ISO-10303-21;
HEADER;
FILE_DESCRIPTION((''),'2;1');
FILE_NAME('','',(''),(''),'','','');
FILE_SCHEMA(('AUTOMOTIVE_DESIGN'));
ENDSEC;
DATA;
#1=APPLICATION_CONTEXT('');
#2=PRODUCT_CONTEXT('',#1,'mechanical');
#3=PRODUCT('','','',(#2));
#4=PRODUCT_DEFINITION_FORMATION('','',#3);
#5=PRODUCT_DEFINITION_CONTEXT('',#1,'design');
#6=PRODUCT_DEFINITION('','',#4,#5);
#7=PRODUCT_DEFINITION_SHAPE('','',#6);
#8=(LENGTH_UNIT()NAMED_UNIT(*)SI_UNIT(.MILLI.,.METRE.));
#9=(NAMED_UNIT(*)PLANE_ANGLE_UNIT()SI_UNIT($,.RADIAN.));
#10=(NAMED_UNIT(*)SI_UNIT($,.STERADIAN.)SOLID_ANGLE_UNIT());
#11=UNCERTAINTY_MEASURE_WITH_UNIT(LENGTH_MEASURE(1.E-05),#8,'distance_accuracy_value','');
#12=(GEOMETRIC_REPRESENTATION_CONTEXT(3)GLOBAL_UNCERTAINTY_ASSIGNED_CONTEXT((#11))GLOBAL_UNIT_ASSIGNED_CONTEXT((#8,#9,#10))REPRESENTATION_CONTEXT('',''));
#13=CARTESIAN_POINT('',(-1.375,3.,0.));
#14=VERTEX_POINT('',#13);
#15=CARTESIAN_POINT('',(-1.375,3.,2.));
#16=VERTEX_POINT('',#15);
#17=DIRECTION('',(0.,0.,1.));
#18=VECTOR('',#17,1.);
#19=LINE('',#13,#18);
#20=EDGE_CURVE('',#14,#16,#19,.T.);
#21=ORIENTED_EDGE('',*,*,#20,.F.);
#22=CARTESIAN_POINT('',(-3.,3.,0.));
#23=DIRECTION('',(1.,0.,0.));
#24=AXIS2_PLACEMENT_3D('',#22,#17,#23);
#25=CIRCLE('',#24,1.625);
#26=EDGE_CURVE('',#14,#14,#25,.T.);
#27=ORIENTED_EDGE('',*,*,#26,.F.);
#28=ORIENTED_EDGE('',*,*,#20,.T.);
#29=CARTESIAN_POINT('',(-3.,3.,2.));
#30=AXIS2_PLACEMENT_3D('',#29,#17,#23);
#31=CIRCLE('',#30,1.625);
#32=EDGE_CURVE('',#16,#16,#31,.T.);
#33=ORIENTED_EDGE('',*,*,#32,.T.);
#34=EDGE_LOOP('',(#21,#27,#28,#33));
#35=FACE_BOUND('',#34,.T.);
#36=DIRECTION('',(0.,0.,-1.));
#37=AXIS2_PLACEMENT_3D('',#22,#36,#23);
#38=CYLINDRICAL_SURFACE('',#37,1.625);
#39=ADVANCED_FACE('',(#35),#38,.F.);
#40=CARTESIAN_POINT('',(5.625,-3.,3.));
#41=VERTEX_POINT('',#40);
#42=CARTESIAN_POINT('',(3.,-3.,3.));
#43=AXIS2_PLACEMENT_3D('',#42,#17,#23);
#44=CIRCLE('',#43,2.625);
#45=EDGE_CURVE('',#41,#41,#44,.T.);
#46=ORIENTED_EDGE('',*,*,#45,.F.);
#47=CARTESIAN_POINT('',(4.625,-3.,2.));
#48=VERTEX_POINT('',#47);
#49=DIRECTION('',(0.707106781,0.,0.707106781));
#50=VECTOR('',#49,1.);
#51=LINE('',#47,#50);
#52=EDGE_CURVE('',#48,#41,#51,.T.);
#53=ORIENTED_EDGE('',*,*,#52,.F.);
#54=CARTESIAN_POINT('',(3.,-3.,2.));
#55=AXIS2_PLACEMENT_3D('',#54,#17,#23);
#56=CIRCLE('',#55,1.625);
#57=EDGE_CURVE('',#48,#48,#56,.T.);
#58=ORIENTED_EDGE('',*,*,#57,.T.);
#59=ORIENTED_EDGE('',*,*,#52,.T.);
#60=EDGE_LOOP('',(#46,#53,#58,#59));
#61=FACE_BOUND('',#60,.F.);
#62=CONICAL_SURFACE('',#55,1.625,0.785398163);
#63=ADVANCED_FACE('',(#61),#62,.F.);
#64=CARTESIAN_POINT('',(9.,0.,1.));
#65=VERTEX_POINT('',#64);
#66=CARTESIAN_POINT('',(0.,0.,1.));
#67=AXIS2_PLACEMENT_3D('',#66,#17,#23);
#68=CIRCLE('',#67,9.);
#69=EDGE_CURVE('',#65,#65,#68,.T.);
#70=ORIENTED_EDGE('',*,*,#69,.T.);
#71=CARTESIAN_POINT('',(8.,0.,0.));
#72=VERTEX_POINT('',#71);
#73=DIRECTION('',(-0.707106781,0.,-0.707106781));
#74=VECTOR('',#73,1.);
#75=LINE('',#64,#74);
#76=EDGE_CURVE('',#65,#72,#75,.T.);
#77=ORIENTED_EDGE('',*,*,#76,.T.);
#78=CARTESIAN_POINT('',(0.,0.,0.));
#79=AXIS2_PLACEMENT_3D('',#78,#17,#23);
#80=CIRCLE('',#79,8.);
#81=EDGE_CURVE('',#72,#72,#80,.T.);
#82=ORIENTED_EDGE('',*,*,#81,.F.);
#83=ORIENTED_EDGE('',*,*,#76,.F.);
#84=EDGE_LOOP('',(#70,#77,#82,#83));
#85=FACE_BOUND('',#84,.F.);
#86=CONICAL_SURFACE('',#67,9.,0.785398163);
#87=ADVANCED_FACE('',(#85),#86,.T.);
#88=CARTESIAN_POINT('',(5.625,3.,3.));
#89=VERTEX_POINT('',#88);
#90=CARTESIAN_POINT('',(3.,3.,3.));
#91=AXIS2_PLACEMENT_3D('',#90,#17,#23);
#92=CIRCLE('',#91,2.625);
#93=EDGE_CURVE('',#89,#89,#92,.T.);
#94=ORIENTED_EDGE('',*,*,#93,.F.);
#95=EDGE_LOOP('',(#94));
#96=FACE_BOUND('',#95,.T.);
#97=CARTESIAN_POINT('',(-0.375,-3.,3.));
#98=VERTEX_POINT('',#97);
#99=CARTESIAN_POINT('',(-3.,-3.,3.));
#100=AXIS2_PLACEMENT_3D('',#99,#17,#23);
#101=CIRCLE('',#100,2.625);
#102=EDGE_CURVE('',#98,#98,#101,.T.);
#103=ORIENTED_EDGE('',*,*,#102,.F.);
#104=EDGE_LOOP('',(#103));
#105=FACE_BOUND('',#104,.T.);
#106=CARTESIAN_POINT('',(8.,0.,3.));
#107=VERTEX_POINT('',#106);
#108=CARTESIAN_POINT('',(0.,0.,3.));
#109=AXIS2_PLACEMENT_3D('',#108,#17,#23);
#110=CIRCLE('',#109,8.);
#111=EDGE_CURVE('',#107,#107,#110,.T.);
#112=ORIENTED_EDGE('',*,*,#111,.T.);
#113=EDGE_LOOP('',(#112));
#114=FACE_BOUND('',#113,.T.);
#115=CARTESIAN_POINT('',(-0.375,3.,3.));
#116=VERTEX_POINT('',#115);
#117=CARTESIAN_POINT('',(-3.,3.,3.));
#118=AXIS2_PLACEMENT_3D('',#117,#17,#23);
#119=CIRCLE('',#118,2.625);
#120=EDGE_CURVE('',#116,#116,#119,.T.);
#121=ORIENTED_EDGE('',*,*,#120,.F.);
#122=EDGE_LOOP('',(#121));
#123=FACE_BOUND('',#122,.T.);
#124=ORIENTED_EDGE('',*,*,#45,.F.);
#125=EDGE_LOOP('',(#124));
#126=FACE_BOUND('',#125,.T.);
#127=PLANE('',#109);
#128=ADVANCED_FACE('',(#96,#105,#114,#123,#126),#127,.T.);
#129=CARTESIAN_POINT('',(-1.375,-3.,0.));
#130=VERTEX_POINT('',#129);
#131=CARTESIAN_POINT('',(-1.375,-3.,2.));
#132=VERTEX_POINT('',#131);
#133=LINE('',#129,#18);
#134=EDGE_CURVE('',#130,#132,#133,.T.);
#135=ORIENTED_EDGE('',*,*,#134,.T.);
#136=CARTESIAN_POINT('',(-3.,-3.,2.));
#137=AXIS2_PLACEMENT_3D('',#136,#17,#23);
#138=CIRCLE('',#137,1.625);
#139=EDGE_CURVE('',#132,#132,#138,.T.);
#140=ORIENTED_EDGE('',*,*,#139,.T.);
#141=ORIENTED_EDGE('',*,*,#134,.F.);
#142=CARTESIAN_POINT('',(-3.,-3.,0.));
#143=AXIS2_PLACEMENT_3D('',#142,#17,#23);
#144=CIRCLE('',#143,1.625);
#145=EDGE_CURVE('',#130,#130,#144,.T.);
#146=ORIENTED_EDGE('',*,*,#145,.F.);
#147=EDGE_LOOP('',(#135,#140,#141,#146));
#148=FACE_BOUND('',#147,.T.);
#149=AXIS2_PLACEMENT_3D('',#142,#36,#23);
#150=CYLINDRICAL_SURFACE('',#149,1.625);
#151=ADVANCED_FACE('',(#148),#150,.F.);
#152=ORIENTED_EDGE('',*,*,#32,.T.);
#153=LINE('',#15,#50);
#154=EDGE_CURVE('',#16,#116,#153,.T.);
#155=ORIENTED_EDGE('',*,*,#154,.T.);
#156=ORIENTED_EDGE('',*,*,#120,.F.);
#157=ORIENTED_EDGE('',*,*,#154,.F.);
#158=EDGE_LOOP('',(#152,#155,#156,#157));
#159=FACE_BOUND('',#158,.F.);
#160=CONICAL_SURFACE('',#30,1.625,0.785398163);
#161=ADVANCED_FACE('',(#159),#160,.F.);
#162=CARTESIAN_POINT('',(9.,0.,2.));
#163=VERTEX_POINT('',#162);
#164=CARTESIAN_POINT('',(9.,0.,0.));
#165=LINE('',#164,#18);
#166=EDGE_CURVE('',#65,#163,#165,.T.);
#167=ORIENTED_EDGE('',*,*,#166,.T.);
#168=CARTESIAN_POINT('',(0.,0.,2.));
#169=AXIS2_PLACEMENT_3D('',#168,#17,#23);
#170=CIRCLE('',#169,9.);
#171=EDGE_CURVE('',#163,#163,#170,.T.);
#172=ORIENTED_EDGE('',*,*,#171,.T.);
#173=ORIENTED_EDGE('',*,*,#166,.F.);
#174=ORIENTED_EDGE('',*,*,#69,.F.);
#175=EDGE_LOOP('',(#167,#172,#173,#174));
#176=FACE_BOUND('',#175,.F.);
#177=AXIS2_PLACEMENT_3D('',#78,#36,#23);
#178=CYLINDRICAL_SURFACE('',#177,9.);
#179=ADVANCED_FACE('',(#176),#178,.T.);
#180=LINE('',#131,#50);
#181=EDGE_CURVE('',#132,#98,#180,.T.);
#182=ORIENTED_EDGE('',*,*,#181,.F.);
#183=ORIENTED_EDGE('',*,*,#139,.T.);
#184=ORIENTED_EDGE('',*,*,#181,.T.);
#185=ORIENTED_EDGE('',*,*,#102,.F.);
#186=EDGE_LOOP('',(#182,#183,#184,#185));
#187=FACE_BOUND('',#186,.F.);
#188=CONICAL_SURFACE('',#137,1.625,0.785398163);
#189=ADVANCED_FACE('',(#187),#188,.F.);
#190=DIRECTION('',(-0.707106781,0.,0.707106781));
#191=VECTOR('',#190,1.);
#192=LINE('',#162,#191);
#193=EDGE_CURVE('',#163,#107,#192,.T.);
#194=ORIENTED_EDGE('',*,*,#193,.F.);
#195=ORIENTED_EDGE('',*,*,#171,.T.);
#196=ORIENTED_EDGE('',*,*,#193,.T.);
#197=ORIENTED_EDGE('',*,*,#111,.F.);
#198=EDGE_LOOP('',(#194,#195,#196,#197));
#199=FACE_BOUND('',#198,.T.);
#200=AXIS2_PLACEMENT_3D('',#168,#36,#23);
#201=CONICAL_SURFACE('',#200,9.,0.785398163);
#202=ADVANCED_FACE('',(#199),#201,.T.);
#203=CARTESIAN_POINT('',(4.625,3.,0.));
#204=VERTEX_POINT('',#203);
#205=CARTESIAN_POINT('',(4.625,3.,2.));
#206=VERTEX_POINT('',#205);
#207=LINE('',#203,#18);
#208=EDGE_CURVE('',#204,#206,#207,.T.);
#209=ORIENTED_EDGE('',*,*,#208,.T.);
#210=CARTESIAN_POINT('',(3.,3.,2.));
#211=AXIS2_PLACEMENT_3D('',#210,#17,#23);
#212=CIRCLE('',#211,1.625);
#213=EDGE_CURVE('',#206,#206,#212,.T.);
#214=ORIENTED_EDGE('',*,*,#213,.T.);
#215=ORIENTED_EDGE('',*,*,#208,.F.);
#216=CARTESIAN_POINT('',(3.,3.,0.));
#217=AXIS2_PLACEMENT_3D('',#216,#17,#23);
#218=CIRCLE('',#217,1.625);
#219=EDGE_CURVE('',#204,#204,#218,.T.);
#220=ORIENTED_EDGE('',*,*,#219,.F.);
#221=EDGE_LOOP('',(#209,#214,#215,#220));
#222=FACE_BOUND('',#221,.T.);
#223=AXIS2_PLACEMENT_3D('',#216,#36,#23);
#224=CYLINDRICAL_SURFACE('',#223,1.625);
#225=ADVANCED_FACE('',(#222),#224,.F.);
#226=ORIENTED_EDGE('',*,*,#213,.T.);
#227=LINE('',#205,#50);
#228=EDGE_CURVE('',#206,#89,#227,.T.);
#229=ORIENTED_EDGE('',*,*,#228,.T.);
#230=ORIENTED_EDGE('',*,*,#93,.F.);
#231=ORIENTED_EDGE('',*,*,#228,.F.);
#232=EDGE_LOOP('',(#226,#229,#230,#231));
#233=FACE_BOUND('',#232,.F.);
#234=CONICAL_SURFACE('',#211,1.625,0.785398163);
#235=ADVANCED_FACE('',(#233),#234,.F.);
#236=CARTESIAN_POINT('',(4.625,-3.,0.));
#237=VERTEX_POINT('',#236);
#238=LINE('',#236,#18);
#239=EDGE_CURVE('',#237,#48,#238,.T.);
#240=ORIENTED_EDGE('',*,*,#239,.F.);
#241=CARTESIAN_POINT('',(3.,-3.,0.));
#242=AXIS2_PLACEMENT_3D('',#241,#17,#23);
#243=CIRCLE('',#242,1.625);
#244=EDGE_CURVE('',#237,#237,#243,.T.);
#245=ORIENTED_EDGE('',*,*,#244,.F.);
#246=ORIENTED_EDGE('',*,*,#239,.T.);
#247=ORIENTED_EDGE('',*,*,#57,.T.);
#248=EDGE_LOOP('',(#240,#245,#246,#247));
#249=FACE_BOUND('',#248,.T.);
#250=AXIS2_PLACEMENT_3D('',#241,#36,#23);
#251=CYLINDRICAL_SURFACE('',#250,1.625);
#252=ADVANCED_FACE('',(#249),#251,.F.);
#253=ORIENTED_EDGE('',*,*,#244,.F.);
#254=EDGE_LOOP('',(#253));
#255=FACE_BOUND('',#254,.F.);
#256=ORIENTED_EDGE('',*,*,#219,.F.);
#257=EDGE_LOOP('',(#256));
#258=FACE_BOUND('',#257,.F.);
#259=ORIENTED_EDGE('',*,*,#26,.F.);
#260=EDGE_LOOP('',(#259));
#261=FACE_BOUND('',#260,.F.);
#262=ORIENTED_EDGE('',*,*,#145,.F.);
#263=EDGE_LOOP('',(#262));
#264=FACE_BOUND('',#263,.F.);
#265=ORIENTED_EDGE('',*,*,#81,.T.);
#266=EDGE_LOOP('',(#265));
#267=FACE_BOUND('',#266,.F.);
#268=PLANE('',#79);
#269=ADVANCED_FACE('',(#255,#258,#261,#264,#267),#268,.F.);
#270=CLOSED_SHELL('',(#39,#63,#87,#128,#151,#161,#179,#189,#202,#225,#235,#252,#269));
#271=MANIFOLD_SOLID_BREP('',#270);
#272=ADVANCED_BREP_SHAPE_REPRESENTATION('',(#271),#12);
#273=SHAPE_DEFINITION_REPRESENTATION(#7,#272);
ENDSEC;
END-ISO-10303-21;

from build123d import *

# Parameters (mm, degrees)
F0_R     = 9
F0_R_2   = 1.625
F1_DEPTH = 3
F2_SIZE  = 1


with BuildPart() as f1:
    # F0 (on Top) → F1 (new body)
    with BuildSketch(Plane.XY):
        Circle(F0_R)
        with Locations((-3, -3)):
            Circle(F0_R_2, mode=Mode.SUBTRACT)
        with Locations((3, -3)):
            Circle(F0_R_2, mode=Mode.SUBTRACT)
        with Locations((-3, 3)):
            Circle(F0_R_2, mode=Mode.SUBTRACT)
        with Locations((3, 3)):
            Circle(F0_R_2, mode=Mode.SUBTRACT)
    extrude(amount=F1_DEPTH)

    # F2
    f2_edges = [f1.edges().sort_by_distance(p)[0] for p in [
        (-9, 0, 3),
        (-4.625, -3, 3),
        (1.375, -3, 3),
        (-4.625, 3, 3),
        (1.375, 3, 3),
        (-9, 0, 0),
    ]]
    chamfer(f2_edges, length=F2_SIZE)


solid = f1.part
